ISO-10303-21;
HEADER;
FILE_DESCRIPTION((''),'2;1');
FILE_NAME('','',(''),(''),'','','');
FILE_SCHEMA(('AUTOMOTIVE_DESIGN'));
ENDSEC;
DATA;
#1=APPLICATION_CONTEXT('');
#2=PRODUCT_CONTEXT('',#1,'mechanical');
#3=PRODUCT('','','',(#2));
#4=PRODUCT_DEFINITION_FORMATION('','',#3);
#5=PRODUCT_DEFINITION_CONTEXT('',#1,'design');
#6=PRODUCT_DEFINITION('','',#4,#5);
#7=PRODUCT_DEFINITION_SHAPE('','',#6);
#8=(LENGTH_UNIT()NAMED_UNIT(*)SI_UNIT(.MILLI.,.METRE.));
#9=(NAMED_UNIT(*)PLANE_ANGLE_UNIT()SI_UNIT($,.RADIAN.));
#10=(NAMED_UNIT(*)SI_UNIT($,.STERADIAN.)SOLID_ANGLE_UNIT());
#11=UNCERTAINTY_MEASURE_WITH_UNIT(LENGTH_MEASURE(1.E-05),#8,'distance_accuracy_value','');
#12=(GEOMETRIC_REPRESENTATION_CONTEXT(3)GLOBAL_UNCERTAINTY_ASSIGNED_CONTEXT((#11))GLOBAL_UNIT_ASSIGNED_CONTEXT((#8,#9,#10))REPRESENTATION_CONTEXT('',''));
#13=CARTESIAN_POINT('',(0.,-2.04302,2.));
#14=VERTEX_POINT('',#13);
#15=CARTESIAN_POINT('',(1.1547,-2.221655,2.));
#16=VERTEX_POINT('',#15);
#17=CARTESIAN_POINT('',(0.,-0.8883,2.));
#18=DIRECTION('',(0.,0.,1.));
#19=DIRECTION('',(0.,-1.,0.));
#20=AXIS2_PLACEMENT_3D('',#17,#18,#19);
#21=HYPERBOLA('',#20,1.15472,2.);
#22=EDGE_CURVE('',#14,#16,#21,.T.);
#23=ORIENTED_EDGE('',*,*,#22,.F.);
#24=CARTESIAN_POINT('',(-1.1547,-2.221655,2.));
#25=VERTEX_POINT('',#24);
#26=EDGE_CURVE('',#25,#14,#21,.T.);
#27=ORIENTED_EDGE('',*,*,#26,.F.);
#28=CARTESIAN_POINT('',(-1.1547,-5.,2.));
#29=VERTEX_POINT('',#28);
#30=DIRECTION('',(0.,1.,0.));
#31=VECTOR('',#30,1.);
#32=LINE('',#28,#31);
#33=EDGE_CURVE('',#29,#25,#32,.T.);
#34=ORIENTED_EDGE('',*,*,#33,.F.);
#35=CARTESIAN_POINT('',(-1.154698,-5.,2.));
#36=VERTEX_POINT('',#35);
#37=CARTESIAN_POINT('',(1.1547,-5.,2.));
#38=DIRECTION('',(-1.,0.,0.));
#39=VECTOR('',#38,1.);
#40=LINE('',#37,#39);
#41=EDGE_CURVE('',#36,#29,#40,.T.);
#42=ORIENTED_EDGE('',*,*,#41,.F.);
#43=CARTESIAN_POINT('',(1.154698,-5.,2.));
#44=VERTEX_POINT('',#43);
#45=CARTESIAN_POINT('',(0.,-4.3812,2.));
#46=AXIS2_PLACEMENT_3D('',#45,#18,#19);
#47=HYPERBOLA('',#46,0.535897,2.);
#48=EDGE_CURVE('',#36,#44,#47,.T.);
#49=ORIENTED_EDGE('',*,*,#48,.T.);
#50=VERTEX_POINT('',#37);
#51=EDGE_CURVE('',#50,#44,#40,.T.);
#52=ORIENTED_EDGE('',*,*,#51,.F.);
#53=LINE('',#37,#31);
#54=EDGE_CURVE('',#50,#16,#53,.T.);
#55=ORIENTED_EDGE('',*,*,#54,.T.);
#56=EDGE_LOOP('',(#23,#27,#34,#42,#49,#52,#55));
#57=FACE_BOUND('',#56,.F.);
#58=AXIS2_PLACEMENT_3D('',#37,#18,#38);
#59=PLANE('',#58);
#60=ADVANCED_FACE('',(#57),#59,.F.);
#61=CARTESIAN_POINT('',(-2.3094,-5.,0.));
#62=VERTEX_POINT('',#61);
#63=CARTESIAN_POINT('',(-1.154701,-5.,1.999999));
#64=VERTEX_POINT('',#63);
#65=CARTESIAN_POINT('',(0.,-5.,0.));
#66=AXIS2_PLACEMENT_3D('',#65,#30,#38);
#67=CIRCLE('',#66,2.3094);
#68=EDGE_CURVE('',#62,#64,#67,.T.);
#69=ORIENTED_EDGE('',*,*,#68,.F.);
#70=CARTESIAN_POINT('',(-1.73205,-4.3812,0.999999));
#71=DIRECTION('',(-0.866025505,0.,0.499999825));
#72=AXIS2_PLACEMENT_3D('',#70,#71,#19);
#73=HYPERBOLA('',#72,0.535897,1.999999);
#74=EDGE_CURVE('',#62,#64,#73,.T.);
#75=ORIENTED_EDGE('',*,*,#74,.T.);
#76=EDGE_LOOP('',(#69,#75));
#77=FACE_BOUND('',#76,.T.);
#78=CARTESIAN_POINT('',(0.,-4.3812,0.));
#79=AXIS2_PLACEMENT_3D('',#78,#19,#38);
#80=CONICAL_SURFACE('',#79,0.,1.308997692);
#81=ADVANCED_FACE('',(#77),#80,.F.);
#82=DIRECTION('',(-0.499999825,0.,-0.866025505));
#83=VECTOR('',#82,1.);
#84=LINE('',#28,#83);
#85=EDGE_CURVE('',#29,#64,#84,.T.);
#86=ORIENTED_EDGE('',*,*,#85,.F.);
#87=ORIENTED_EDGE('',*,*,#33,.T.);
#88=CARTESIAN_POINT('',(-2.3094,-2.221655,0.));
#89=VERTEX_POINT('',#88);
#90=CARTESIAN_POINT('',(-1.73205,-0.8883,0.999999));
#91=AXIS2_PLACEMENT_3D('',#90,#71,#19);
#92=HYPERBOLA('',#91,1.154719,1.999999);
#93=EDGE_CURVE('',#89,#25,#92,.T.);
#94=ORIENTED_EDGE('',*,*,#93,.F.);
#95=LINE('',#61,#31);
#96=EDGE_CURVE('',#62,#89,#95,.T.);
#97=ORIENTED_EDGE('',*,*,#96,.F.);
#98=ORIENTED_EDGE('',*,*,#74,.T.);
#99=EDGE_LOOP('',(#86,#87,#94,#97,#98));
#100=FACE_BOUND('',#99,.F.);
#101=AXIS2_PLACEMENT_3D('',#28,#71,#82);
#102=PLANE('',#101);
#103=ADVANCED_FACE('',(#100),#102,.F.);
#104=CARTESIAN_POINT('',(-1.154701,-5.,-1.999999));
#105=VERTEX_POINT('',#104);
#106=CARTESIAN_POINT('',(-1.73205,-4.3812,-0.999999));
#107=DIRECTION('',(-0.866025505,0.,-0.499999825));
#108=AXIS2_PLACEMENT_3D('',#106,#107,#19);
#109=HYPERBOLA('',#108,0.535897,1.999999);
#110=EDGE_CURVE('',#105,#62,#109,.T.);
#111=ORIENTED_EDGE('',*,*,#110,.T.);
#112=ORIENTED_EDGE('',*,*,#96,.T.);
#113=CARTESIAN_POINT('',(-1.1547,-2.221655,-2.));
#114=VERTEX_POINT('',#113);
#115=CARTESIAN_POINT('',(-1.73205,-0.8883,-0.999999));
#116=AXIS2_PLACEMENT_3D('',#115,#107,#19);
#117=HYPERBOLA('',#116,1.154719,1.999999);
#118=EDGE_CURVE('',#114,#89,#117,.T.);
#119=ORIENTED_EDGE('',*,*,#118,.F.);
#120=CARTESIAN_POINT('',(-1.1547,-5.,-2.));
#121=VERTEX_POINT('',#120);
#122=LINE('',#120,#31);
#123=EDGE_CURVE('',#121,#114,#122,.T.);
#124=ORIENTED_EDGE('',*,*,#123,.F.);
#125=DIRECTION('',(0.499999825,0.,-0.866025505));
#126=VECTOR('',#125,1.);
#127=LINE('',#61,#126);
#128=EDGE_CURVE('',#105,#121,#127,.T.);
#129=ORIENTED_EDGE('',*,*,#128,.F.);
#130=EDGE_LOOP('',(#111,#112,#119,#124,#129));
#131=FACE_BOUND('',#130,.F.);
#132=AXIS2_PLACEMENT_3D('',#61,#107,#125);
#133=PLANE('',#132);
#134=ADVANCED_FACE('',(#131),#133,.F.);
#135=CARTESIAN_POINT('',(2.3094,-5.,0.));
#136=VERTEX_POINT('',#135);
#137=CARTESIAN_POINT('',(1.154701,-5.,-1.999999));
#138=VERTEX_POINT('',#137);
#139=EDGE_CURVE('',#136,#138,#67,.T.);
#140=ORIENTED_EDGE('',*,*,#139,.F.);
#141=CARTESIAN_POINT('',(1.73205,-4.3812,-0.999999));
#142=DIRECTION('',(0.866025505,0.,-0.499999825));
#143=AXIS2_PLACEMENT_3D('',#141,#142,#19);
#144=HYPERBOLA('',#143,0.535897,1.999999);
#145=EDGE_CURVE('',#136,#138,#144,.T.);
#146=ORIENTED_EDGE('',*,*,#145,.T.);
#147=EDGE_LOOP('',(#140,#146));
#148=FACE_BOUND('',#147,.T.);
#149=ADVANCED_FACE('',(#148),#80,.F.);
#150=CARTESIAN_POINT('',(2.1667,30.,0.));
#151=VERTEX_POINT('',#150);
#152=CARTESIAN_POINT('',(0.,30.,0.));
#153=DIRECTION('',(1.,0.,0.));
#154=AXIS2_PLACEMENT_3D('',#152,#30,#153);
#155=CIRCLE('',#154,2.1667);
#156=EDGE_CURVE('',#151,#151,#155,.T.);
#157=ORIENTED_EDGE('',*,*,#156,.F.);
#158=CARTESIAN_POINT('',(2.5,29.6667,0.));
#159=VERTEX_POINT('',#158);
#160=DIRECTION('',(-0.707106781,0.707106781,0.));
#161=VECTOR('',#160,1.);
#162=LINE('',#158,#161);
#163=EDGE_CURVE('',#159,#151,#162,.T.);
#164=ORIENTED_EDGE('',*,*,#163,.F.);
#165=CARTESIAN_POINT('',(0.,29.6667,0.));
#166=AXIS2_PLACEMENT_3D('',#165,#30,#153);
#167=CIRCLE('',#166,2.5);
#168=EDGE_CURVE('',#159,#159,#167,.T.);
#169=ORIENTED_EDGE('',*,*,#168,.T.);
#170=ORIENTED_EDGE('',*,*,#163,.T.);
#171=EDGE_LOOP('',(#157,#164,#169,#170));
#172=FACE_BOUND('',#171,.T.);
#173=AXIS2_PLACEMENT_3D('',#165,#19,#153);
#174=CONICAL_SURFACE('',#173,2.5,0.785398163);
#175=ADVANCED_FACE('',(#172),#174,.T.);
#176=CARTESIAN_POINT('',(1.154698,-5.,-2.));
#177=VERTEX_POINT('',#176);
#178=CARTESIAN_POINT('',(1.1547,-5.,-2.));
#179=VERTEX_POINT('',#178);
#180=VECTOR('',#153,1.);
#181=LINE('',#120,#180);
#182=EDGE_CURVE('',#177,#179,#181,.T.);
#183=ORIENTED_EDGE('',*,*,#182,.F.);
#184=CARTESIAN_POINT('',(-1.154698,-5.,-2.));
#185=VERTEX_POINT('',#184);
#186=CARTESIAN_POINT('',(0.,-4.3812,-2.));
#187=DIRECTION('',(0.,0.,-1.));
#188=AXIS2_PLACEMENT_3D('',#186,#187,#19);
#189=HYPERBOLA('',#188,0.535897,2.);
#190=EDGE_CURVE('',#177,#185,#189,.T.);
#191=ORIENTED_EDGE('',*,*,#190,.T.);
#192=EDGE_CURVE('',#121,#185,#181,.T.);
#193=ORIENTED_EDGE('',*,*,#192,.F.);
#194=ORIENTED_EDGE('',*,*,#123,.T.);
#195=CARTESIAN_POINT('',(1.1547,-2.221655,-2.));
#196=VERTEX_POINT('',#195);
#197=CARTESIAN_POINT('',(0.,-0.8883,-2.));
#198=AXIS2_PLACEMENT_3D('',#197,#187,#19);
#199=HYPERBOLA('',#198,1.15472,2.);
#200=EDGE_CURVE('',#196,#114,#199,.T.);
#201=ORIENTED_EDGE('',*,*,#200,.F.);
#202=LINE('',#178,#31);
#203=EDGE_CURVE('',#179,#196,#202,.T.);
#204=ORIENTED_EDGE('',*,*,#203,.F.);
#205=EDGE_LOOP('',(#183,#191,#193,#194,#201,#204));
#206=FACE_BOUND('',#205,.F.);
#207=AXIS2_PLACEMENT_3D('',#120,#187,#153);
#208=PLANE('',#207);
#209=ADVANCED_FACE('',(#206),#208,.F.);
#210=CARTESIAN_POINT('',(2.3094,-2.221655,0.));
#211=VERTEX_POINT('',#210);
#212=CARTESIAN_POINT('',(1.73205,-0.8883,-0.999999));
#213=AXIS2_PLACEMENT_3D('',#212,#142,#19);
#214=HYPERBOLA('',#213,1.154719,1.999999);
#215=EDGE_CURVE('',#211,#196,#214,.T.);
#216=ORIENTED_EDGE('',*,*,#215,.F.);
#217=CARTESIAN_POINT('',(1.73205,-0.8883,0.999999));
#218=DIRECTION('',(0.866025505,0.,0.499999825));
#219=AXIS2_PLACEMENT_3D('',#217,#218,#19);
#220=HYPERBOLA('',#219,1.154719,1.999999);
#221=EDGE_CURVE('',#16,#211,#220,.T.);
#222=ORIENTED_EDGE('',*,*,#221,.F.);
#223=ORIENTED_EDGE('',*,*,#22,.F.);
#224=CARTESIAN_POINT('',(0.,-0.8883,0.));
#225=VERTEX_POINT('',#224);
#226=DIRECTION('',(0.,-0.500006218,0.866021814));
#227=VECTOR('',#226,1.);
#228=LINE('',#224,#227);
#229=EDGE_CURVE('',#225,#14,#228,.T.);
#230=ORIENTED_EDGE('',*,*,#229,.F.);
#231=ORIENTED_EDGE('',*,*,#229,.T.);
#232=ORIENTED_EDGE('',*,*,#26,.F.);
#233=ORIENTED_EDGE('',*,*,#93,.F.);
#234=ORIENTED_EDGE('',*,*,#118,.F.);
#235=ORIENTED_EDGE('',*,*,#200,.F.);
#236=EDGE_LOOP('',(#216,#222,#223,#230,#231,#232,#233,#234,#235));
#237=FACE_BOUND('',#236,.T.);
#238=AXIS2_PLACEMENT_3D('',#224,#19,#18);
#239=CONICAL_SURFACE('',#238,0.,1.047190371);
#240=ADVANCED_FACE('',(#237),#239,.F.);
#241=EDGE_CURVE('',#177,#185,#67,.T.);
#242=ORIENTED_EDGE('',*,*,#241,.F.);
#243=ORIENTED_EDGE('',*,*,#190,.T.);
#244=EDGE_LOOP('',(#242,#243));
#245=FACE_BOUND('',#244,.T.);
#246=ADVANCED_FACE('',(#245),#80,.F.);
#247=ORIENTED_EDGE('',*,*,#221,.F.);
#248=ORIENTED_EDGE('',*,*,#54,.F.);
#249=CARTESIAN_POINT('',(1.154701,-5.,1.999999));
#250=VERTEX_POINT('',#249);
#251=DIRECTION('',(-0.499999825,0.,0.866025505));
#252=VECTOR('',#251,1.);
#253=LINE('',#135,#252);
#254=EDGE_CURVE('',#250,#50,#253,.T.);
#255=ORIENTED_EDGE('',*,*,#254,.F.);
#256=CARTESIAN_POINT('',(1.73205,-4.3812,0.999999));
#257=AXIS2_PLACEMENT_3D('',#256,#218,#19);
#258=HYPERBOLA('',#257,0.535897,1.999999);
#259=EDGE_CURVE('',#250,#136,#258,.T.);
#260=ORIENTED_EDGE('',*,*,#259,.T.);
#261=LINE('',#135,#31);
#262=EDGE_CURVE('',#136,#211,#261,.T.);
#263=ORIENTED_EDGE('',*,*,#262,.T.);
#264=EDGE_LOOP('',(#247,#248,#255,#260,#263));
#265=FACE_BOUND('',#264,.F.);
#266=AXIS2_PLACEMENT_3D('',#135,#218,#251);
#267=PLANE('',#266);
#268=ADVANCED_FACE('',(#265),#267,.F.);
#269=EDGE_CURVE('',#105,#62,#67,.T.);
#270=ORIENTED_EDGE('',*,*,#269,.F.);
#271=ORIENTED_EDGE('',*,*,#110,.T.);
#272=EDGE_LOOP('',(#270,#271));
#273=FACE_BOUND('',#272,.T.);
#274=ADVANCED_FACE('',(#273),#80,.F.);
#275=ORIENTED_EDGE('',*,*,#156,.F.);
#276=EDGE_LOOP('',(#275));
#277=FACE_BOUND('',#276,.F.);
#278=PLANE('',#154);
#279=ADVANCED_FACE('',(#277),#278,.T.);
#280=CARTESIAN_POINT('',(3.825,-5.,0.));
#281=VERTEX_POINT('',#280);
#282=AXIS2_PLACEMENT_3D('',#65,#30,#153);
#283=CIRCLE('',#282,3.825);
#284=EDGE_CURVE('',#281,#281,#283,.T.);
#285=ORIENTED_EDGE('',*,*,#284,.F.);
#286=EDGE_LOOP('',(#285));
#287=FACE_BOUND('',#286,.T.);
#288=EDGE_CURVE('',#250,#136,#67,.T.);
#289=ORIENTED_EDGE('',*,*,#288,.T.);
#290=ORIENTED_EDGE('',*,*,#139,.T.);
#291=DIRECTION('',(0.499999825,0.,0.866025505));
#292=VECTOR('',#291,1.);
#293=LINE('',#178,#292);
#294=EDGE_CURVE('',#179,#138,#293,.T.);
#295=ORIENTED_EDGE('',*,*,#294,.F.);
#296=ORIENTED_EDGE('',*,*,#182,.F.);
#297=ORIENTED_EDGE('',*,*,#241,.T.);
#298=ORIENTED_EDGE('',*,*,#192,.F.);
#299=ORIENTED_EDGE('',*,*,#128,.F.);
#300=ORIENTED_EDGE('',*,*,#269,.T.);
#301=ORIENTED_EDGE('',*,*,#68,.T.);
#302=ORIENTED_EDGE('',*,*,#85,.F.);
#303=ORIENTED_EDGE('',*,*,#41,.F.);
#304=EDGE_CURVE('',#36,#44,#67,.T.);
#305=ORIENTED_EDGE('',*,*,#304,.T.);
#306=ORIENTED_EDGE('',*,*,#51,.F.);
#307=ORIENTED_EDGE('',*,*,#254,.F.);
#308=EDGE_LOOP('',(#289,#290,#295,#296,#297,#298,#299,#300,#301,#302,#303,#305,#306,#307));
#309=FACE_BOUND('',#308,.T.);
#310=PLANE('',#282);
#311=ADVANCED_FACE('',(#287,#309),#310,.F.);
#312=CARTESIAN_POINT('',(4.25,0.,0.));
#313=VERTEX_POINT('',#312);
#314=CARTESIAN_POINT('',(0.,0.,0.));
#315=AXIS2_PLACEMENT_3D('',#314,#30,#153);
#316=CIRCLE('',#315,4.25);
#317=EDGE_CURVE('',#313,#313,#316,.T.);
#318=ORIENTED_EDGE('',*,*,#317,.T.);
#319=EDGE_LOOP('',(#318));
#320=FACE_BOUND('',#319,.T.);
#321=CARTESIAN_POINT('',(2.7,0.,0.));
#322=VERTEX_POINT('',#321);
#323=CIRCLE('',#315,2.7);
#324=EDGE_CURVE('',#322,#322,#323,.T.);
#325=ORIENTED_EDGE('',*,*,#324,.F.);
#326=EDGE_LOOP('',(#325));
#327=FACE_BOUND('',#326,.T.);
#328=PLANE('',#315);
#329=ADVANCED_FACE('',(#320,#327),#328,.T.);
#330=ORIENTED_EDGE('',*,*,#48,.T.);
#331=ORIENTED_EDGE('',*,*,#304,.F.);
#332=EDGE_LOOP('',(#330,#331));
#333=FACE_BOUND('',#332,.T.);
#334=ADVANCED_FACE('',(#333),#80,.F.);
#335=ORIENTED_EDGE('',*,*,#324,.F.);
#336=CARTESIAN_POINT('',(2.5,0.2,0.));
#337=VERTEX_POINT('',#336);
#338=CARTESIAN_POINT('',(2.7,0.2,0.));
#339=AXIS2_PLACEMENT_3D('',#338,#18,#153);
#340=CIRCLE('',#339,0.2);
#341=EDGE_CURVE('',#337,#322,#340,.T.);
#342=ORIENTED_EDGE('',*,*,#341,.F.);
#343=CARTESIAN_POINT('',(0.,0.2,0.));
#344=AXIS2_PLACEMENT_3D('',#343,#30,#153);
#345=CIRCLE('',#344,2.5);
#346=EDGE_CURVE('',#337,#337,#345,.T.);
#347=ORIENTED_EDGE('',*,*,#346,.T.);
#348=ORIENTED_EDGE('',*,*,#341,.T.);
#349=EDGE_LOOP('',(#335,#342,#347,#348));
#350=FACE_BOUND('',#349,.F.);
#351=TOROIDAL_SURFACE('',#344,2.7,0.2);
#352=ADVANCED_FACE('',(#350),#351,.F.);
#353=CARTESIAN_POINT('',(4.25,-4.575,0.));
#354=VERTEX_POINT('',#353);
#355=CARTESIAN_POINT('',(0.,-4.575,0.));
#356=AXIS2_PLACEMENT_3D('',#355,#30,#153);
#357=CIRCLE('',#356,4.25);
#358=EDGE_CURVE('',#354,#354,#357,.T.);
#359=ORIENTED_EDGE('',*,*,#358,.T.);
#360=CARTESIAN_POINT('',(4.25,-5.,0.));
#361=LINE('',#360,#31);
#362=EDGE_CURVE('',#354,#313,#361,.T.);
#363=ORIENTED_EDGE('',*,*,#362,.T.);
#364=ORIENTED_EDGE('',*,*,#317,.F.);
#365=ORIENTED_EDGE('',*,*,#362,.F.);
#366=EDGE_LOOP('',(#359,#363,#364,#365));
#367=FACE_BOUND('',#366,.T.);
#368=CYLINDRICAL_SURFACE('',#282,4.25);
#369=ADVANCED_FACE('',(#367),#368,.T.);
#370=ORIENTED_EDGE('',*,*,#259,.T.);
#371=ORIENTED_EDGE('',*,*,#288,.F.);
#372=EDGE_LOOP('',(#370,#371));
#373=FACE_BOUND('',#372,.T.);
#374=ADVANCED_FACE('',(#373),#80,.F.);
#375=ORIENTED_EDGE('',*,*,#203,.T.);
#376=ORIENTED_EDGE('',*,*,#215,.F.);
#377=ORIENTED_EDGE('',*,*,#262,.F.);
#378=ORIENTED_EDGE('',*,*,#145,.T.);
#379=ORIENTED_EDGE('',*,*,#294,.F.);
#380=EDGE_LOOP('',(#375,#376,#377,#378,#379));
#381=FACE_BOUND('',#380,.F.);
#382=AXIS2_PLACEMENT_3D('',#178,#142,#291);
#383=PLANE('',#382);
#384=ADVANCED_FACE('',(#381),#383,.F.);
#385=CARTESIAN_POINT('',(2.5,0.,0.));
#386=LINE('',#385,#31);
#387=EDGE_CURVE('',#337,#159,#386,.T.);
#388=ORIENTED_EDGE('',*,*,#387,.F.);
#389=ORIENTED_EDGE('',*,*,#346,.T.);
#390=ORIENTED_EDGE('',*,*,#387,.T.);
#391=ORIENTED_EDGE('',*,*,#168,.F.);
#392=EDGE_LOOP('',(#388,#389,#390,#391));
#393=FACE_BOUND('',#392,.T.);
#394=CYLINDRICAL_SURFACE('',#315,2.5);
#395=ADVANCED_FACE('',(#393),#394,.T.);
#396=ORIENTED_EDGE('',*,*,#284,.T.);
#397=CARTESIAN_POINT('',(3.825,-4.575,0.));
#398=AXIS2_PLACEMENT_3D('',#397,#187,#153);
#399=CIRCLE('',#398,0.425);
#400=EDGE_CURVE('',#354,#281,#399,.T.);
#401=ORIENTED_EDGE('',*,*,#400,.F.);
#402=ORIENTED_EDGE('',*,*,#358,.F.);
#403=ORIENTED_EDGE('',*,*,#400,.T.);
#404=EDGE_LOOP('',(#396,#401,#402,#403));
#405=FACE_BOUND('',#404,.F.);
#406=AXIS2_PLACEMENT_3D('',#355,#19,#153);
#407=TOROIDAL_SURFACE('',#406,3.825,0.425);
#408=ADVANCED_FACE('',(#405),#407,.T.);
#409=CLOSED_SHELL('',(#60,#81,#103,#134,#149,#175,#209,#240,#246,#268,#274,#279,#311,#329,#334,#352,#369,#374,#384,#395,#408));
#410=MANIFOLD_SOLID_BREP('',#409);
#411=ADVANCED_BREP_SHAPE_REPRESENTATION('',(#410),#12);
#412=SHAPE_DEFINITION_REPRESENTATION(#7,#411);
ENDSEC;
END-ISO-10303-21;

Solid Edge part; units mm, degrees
sketch "Sketch1" plane through (0, 0, 0) normal (0, 0, 1) x (1, 0, 0)
  line L0 (2.5, 0) -> (2.5, 30)
  line L1 (0, 30) -> (2.5, 30)
  line L2 (0, 0) -> (0, 30)
  line L3 (0, 0) -> (0, -5)
  line L4 (0, -5) -> (4.25, -5)
  line L5 (4.25, -5) -> (4.25, 0)
  line L6 (4.25, 0) -> (2.5, 0)
revolve "RevolvedProtrusion1" add sketch "Sketch1" angle 360 about axis through (0, 0, 0) along (0, 1, 0)
sketch "Sketch2" plane through (0, 0, 0) normal (1, 0, 0) x (0, 1, 0)
  line L0 (-5, 2.7915) -> (-2.5, 2.7915)
  line L1 (-0.8883, 0) -> (-2.5, 2.7915)
  line L2 (-5, 0) -> (-0.8883, 0)
  line L3 (-5, 0) -> (-5, 2.7915)
revolve "RevolvedCutout1" cut sketch "Sketch2" angle 360 about axis through (0, -4.5, 0) along (0, 1, 0)
sketch "Sketch3" plane through (0, -5, 0) normal (0, -1, 0) x (0, 0, 1)
  circle A0 centre (0, 0) radius 2.7915
  line L0 (-2, -1.1547) -> (0, -2.3094)
  line L1 (0, -2.3094) -> (2, -1.1547)
  line L2 (2, -1.1547) -> (2, 1.1547)
  line L3 (2, 1.1547) -> (0, 2.3094)
  line L4 (0, 2.3094) -> (-2, 1.1547)
  line L5 (-2, 1.1547) -> (-2, -1.1547)
  dimension "D1" = 4
extrude "Protrusion1" add sketch "Sketch3" against normal up to next
sketch "Sketch4" plane through (0, 0, 0) normal (0, 0, 1) x (1, 0, 0)
  line L0 (-2.3094, -5) -> (0, -5)
  line L1 (0, -5) -> (0, -4.3812)
  line L2 (0, -4.3812) -> (-2.3094, -5)
revolve "RevolvedCutout2" cut sketch "Sketch4" angle 360 about axis through (0, -4.5, 0) along (0, 1, 0)
fillet "Round1" radius 0.2 1 edges at (0, 0, -2.5)
fillet "Round2" radius 0.425 1 edges at (0, -5, -4.25)
chamfer "倒斜角_2" distance 0.3333 angle 45 1 edges at (0, 30, -2.5)
cosmetic_thread "螺纹_3" size "M5" thread depth 24
properties part number "N2611-1313" material "铝 1060"
